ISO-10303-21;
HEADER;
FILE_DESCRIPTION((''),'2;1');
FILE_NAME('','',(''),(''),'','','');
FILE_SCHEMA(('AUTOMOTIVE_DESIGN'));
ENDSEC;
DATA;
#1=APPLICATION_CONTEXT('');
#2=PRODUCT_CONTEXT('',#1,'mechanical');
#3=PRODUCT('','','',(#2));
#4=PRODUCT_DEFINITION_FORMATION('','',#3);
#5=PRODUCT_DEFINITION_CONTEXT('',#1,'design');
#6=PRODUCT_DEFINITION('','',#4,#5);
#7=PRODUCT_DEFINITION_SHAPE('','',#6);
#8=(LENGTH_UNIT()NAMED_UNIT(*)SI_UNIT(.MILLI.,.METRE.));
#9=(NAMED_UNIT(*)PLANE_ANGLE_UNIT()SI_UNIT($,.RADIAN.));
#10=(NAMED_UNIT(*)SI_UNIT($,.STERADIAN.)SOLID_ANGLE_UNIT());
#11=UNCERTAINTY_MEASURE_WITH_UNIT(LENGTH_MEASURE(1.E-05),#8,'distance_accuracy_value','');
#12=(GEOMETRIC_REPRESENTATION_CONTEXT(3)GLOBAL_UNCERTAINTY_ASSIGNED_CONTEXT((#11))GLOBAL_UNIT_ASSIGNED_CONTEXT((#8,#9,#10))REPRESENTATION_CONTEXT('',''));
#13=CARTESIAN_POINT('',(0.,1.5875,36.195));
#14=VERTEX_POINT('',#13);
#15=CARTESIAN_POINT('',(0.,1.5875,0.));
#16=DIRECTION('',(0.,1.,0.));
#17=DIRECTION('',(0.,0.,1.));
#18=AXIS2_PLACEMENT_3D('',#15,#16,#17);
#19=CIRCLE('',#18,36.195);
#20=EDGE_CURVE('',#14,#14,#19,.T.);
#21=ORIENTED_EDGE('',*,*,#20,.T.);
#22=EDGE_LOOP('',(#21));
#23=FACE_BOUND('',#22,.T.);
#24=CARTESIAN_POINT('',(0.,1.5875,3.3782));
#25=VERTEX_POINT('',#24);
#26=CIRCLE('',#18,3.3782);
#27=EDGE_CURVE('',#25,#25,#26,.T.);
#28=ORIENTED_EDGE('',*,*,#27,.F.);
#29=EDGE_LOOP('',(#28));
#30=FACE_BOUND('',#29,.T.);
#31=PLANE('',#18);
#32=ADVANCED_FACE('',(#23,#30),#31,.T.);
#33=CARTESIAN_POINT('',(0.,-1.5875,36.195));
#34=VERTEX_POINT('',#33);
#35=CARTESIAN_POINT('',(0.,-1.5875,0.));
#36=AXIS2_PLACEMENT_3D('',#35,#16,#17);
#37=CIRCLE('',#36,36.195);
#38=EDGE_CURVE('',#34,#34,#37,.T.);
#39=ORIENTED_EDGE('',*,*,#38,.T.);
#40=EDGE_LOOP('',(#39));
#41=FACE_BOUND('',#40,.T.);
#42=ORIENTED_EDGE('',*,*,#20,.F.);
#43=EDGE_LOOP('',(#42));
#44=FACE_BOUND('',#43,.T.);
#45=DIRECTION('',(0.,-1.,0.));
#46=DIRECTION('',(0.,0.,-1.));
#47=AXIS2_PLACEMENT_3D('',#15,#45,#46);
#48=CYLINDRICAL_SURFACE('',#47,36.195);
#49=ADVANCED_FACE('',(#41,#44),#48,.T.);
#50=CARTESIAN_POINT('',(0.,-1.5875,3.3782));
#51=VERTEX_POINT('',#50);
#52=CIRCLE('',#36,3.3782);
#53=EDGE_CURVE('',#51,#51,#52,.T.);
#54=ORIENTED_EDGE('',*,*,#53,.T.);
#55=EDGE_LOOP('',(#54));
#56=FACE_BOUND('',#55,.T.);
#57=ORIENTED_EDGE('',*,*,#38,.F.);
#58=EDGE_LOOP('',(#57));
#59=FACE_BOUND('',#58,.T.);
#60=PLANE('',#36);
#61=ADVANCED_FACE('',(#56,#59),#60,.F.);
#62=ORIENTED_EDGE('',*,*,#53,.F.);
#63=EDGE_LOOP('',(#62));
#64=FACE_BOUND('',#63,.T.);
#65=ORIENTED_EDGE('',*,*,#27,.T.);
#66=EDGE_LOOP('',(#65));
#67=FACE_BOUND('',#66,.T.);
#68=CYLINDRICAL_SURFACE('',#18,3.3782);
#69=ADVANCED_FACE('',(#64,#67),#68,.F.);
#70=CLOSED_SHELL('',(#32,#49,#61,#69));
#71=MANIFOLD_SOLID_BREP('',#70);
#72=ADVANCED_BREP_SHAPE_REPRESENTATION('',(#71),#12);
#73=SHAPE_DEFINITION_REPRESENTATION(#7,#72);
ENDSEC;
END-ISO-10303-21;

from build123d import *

# Parameters (mm, degrees)
SKETCH1_R                = 36.195
BOSS_EXTRUDE1_DEPTH      = 1.5875
H_0_266_DIAMETER_HOLE2_D = 6.7564


with BuildPart() as part:
    # Sketch1 → Boss-Extrude1 (new, symmetric)
    with BuildSketch(Plane(origin=(0, 0, 0), x_dir=(1, 0, 0), z_dir=(0, 1, 0))):
        Circle(SKETCH1_R)
    extrude(amount=BOSS_EXTRUDE1_DEPTH, both=True)

    # H (0.266) Diameter Hole2 (through all)
    with Locations(Plane(origin=(0, 1.5875, 0), x_dir=(1, 0, 0), z_dir=(0, 1, 0))):
        with Locations((0, 0)):
            Hole(H_0_266_DIAMETER_HOLE2_D / 2)


solid = part.part
